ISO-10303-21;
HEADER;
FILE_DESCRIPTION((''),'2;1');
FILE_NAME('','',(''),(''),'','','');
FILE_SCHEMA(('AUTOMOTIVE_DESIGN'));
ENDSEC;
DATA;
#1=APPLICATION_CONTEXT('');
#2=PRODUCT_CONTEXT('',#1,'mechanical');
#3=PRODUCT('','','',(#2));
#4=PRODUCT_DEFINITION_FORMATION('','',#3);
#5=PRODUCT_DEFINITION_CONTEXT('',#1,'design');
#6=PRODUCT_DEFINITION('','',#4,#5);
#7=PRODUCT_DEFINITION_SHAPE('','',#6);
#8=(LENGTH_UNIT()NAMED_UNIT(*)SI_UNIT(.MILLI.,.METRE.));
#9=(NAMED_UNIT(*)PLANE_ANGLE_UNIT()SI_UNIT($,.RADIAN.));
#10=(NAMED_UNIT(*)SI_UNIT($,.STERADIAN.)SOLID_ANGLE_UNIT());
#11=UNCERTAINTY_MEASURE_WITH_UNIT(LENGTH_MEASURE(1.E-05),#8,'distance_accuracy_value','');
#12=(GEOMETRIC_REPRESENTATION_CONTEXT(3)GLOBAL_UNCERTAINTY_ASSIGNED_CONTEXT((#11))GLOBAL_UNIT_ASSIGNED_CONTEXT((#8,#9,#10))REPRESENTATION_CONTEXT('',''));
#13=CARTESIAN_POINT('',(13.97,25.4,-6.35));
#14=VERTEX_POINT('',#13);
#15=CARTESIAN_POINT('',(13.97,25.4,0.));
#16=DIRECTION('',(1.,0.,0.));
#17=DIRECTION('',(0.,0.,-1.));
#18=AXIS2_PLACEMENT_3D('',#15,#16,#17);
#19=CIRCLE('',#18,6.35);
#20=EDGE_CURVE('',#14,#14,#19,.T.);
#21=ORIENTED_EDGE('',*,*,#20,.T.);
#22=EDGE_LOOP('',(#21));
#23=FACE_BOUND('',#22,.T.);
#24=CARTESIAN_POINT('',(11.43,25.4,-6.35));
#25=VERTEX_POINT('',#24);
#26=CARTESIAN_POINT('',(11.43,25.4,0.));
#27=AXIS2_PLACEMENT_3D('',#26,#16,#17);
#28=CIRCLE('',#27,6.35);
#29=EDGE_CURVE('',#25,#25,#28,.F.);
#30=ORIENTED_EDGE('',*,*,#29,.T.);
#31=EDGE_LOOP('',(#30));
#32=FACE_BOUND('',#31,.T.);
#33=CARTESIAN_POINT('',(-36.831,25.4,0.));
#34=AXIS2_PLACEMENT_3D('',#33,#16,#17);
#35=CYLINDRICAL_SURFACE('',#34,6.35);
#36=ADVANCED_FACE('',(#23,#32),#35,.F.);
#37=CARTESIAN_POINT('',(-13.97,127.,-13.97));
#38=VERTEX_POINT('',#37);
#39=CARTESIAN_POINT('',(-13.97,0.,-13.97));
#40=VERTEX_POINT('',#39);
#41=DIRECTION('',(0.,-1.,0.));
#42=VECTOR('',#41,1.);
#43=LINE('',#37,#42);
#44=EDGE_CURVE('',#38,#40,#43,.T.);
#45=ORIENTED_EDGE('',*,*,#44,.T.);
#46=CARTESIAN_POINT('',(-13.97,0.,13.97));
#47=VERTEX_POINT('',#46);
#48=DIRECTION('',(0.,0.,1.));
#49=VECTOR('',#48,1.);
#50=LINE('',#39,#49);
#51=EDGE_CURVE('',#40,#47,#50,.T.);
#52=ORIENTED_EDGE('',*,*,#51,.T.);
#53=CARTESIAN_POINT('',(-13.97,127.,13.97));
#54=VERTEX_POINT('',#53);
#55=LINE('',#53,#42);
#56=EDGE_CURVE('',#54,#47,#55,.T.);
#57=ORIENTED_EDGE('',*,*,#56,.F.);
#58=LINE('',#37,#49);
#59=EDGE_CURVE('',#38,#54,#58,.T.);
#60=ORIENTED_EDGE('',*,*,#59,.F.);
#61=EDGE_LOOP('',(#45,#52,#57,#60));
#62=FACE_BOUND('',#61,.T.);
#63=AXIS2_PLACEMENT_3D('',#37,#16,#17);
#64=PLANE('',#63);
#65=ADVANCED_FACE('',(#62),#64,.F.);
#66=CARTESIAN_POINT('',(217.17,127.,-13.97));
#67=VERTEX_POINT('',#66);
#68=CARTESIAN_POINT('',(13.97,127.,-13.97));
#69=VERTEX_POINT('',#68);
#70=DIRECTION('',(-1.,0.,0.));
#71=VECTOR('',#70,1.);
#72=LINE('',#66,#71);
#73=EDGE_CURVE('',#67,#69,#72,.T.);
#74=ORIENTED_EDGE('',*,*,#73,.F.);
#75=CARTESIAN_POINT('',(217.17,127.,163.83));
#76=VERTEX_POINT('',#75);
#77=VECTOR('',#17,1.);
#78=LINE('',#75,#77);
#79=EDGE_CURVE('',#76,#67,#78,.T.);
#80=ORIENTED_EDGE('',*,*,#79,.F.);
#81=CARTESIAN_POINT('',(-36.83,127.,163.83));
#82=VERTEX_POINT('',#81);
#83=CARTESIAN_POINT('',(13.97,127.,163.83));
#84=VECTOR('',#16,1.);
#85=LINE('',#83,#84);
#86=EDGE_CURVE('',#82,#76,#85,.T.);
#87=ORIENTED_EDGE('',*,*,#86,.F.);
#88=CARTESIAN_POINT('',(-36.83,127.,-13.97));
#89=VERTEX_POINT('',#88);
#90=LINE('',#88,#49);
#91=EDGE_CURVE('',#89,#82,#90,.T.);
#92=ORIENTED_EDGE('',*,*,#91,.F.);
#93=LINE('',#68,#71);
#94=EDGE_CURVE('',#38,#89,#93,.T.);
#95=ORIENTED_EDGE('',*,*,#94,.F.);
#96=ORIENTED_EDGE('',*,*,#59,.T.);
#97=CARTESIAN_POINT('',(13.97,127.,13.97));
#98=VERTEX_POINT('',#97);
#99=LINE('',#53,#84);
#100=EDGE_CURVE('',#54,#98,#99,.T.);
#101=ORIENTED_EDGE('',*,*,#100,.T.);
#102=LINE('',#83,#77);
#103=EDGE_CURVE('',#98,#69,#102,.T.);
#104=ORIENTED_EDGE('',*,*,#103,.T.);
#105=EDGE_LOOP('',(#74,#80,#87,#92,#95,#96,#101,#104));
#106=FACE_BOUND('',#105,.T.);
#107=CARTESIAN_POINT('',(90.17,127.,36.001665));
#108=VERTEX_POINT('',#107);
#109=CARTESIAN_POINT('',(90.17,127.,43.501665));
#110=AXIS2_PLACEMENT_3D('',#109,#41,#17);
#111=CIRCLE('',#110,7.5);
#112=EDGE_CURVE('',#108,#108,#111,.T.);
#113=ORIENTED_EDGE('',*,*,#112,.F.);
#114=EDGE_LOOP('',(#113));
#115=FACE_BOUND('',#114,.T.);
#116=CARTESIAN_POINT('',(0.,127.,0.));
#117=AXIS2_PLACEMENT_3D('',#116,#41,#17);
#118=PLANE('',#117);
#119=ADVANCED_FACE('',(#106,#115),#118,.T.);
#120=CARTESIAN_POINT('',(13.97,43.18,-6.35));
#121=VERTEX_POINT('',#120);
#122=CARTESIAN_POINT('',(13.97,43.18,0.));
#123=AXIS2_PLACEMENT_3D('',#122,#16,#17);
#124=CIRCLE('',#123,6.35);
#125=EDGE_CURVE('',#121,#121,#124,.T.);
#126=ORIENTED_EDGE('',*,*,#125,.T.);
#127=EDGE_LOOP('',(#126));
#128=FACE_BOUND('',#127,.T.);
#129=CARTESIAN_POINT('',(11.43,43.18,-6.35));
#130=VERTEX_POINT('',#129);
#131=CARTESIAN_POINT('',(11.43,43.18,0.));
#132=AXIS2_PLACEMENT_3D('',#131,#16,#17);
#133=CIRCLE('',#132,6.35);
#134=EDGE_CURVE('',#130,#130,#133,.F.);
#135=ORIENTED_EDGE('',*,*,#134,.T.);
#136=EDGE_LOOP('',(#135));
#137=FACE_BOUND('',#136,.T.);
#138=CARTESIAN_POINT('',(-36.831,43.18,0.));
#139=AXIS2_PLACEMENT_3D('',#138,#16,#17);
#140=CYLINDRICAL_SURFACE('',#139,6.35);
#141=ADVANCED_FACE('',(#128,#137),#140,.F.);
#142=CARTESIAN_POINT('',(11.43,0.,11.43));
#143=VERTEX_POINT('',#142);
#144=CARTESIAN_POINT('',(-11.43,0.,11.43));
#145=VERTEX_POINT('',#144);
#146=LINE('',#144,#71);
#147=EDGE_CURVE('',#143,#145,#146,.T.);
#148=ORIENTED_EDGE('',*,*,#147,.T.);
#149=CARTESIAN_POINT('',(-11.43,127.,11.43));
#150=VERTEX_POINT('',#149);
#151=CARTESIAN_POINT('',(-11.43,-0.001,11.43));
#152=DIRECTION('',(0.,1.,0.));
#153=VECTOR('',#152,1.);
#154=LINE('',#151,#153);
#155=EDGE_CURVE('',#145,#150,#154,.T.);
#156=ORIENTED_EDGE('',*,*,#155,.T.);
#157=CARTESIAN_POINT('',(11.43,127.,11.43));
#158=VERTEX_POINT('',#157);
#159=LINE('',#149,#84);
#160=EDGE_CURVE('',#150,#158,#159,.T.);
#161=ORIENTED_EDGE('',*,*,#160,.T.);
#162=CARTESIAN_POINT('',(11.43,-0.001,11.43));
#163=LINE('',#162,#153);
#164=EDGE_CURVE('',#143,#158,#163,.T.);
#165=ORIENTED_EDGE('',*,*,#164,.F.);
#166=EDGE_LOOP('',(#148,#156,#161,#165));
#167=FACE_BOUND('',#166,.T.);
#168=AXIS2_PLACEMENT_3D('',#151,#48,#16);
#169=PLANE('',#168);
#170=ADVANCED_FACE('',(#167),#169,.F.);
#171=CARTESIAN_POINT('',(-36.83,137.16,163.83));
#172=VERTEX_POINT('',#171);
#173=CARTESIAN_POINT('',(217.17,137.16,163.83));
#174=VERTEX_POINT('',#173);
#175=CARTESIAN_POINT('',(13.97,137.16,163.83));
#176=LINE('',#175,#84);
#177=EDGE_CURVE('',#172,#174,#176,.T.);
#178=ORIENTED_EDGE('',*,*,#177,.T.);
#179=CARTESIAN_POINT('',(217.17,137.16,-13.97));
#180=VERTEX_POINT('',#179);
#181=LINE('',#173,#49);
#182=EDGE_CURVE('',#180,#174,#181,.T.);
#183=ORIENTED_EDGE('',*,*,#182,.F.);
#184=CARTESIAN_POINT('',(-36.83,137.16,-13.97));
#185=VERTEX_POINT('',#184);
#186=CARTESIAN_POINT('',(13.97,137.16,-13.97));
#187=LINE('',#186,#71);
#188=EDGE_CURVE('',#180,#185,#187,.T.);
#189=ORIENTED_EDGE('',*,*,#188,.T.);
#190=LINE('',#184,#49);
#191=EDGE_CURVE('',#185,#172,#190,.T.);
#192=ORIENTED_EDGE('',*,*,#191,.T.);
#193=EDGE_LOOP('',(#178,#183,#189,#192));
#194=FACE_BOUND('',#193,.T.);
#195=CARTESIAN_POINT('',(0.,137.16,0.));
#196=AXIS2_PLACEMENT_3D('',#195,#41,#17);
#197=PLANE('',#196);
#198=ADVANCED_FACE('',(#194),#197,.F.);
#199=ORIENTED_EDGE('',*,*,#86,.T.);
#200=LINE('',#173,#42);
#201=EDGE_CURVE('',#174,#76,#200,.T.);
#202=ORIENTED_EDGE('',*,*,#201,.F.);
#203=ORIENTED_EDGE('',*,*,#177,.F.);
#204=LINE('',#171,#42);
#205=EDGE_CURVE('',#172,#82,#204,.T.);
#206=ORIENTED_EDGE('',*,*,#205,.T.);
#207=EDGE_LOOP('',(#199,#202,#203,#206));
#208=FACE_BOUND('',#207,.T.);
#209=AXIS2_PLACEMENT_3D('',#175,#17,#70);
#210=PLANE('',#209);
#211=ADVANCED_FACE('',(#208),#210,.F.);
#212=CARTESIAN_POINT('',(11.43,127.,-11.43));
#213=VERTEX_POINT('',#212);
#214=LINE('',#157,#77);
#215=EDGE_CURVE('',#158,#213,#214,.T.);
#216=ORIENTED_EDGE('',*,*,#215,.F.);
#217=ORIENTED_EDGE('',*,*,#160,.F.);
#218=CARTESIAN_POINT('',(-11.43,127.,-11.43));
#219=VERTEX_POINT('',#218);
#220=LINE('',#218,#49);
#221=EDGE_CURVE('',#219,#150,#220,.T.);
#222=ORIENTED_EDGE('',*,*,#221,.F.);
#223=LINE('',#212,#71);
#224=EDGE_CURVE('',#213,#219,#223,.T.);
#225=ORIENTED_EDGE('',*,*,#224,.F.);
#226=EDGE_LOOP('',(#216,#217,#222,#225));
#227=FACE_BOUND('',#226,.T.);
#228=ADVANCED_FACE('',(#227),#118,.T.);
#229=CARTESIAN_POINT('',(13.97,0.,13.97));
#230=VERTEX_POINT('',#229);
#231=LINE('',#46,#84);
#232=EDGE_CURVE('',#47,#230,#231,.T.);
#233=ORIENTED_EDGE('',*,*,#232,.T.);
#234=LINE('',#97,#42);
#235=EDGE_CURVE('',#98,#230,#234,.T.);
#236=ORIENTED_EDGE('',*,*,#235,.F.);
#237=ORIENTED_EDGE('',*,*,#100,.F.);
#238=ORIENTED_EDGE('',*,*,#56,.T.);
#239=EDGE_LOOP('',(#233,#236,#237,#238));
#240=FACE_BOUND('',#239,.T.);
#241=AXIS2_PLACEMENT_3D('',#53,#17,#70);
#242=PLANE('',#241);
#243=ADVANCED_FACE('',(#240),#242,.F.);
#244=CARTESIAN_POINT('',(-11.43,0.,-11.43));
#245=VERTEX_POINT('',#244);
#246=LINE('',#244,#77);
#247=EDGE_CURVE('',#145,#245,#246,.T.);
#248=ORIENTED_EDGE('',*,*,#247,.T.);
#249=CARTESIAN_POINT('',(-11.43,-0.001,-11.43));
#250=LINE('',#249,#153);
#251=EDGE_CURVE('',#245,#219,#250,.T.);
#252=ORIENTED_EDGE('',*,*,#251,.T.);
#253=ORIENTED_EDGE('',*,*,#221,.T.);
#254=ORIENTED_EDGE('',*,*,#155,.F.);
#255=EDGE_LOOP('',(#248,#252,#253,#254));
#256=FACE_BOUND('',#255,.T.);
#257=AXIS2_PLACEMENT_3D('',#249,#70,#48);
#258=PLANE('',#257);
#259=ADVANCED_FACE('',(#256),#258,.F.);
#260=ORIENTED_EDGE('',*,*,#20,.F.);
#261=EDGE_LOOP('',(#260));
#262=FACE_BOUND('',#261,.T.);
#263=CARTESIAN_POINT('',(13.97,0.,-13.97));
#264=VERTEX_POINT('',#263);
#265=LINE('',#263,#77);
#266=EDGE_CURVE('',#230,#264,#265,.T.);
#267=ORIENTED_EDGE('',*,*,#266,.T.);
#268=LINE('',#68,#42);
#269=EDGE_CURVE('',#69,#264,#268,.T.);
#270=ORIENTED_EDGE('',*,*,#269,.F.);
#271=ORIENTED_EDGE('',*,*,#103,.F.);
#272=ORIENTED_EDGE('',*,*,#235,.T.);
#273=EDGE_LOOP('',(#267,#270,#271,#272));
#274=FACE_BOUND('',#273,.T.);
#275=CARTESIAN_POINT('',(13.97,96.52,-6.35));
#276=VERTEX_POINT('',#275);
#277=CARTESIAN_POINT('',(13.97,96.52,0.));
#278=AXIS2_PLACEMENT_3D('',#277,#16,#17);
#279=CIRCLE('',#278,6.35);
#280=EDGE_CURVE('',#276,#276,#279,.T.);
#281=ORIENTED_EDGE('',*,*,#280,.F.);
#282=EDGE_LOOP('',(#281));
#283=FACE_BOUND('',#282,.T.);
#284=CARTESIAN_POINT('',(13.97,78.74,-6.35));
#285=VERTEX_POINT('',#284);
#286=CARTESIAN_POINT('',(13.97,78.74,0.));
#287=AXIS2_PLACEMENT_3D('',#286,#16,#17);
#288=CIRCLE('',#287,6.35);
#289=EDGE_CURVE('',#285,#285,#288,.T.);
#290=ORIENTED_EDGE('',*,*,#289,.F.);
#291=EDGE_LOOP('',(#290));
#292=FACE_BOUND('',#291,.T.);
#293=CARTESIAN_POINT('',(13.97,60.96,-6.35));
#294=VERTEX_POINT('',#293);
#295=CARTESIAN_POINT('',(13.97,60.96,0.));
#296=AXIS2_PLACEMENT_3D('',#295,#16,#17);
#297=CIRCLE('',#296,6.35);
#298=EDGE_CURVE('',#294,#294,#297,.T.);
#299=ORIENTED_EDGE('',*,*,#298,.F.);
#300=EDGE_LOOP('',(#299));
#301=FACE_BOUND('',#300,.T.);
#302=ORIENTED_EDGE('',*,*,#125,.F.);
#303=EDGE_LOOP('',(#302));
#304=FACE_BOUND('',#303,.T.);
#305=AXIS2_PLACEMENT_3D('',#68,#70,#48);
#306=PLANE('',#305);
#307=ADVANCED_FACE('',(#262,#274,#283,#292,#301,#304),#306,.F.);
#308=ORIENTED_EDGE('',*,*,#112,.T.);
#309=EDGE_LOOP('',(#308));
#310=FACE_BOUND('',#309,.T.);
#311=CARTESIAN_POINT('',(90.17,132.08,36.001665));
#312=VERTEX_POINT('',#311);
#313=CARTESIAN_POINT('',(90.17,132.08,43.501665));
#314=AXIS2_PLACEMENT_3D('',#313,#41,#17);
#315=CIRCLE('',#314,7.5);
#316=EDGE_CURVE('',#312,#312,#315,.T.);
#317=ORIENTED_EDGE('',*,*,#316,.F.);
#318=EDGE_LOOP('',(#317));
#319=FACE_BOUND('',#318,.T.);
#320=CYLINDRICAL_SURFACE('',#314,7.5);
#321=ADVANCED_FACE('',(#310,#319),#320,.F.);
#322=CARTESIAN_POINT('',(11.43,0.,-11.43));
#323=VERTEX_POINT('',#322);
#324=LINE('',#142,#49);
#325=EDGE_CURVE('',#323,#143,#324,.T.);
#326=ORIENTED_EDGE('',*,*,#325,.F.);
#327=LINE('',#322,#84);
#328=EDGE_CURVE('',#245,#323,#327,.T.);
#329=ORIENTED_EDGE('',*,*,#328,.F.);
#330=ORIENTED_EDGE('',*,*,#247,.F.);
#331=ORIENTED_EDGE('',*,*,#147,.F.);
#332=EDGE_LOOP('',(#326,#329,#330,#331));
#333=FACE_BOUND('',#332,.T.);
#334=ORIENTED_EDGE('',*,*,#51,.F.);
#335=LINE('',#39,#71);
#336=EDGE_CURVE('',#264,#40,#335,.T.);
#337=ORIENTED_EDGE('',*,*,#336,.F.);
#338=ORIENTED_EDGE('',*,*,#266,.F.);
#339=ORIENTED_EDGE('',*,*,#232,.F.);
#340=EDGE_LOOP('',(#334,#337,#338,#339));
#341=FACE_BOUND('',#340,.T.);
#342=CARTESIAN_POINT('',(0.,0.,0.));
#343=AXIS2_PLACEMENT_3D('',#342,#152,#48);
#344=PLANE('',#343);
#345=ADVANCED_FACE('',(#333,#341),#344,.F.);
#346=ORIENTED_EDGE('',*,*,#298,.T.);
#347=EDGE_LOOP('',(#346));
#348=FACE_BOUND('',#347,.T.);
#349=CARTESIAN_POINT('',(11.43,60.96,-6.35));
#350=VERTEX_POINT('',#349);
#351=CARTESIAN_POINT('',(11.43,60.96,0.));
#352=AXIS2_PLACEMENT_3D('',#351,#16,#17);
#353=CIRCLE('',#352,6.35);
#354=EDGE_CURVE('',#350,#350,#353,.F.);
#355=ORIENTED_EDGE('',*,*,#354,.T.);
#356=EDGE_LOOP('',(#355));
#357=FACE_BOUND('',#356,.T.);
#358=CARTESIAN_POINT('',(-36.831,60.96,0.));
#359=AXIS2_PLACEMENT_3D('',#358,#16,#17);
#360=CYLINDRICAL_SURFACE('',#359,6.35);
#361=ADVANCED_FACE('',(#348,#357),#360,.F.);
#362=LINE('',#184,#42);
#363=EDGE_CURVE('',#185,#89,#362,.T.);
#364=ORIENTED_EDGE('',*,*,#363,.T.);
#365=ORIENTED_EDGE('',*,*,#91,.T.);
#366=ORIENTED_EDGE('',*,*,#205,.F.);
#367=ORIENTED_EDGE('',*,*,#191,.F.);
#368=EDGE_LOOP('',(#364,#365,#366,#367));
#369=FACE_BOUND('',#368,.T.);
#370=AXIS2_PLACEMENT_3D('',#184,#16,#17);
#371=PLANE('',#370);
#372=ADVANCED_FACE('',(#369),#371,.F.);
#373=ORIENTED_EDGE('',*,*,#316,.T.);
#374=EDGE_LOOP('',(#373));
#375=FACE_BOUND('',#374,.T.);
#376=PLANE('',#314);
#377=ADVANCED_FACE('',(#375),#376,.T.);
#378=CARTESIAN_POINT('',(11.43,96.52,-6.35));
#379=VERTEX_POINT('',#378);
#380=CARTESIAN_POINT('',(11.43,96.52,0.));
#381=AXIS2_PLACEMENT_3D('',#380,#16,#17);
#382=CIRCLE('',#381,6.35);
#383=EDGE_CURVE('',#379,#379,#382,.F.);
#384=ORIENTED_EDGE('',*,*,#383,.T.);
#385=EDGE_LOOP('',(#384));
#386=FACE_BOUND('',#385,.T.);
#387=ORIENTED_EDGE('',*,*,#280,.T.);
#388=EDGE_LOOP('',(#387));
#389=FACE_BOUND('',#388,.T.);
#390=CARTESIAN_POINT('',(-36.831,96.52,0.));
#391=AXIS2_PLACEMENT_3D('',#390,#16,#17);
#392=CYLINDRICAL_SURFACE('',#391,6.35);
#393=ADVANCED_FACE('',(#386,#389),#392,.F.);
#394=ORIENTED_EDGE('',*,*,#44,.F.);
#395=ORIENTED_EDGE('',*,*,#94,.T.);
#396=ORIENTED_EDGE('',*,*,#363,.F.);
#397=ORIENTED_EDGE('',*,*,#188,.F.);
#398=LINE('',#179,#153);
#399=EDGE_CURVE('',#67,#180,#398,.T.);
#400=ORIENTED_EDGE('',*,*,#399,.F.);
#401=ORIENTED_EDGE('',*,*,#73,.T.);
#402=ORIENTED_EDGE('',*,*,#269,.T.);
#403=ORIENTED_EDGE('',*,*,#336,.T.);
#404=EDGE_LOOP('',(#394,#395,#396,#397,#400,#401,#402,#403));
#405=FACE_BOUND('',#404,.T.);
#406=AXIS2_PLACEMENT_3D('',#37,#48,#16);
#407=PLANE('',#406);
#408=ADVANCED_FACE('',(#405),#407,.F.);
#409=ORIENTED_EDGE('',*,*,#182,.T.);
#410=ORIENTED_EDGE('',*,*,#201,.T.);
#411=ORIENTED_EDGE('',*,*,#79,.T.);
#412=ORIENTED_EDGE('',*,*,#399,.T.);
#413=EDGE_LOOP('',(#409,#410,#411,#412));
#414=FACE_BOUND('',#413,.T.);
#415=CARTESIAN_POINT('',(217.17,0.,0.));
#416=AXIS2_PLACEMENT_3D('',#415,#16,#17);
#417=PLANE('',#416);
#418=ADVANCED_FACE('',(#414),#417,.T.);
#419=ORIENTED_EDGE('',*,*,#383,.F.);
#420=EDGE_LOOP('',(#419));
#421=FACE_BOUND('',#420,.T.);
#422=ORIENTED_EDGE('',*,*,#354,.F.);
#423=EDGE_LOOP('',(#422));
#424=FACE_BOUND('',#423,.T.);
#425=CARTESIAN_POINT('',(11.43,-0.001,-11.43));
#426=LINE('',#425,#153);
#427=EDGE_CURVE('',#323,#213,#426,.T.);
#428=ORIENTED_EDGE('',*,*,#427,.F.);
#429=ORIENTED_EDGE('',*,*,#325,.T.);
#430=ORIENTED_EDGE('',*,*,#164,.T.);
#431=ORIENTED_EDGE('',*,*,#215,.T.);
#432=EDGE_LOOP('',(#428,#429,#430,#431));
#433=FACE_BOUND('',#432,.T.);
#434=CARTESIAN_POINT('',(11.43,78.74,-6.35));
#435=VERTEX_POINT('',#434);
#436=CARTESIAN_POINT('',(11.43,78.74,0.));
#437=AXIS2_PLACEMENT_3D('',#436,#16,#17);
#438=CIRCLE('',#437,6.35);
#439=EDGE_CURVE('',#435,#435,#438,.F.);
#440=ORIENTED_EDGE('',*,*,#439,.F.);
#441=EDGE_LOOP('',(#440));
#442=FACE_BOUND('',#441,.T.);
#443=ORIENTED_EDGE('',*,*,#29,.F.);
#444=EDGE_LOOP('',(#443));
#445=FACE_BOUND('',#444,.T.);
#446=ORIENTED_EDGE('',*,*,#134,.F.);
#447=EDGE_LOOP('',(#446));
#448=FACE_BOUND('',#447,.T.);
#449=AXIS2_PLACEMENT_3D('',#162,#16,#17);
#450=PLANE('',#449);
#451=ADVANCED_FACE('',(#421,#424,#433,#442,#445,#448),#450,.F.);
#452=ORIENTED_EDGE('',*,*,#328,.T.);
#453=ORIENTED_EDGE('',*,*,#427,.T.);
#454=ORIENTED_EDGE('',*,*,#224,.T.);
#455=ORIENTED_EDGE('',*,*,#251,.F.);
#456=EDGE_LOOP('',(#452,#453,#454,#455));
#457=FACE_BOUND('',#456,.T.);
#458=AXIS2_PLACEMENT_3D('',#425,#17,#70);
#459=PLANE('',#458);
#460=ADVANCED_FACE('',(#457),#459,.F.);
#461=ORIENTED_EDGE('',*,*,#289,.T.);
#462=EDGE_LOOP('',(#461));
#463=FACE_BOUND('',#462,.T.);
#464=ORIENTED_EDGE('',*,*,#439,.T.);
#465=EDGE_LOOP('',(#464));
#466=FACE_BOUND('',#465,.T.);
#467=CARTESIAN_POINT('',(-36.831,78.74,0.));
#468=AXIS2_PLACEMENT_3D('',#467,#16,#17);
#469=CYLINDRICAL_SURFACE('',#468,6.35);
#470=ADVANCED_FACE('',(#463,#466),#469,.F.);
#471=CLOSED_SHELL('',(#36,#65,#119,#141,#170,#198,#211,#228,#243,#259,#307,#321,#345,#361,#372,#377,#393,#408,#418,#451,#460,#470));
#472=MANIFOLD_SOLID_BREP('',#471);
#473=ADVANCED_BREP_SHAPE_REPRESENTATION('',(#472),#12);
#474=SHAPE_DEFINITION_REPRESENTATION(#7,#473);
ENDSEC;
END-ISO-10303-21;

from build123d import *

# Parameters (mm, degrees)
SKETCH1_W           = 27.94
SKETCH1_H           = 27.94
BOSS_EXTRUDE1_DEPTH = 127
CUT_EXTRUDE1_REACH  = 130.528
SKETCH2_W           = 22.86
SKETCH2_H           = 22.86
SKETCH3_W           = 50.8
SKETCH3_H           = 177.8
BOSS_EXTRUDE2_DEPTH = 10.16
CUT_EXTRUDE2_REACH  = 221.622
SKETCH4_R           = 6.35
SKETCH5_W           = 177.8
SKETCH5_H           = 10.16
BOSS_EXTRUDE3_DEPTH = 203.2
SKETCH7_R           = 7.5
CUT_EXTRUDE4_DEPTH  = 5.08


with BuildPart() as part:
    # Sketch1 → Boss-Extrude1 (new body)
    with BuildSketch(Plane(origin=(0, 0, 0), x_dir=(1, 0, 0), z_dir=(0, 1, 0))):
        Rectangle(SKETCH1_W, SKETCH1_H)
    extrude(amount=BOSS_EXTRUDE1_DEPTH)

    # Sketch2 → Cut-Extrude1 (cut, up to next)
    with BuildSketch(Plane(origin=(0, 127, 0), x_dir=(1, 0, 0), z_dir=(0, 1, 0)), mode=Mode.PRIVATE) as cut_extrude1_sk1:
        Rectangle(SKETCH2_W, SKETCH2_H)
    cut_extrude1_tool1 = extrude(cut_extrude1_sk1.sketch, amount=-CUT_EXTRUDE1_REACH, mode=Mode.PRIVATE) & part.part
    add(cut_extrude1_tool1.solids().sort_by_distance((0, 127, 0))[0], mode=Mode.SUBTRACT)

    # Sketch3 → Boss-Extrude2 (add)
    with BuildSketch(Plane(origin=(0, 127, 0), x_dir=(1, 0, 0), z_dir=(0, 1, 0))):
        with Locations((-11.43, -74.93)):
            Rectangle(SKETCH3_W, SKETCH3_H)
    extrude(amount=BOSS_EXTRUDE2_DEPTH)

    # Sketch4 → Cut-Extrude2 (cut, up to next)
    with BuildSketch(Plane(origin=(13.97, 0, 0), x_dir=(0, 0, -1), z_dir=(1, 0, 0)), mode=Mode.PRIVATE) as cut_extrude2_sk1:
        with Locations((0, 25.4)):
            Circle(SKETCH4_R)
    cut_extrude2_tool1 = extrude(cut_extrude2_sk1.sketch, amount=-CUT_EXTRUDE2_REACH, mode=Mode.PRIVATE) & part.part
    # Sketch4 → Cut-Extrude2 (cut, up to next)
    with BuildSketch(Plane(origin=(13.97, 0, 0), x_dir=(0, 0, -1), z_dir=(1, 0, 0)), mode=Mode.PRIVATE) as cut_extrude2_sk2:
        with Locations((0, 43.18)):
            Circle(SKETCH4_R)
    cut_extrude2_tool2 = extrude(cut_extrude2_sk2.sketch, amount=-CUT_EXTRUDE2_REACH, mode=Mode.PRIVATE) & part.part
    # Sketch4 → Cut-Extrude2 (cut, up to next)
    with BuildSketch(Plane(origin=(13.97, 0, 0), x_dir=(0, 0, -1), z_dir=(1, 0, 0)), mode=Mode.PRIVATE) as cut_extrude2_sk3:
        with Locations((0, 60.96)):
            Circle(SKETCH4_R)
    cut_extrude2_tool3 = extrude(cut_extrude2_sk3.sketch, amount=-CUT_EXTRUDE2_REACH, mode=Mode.PRIVATE) & part.part
    # Sketch4 → Cut-Extrude2 (cut, up to next)
    with BuildSketch(Plane(origin=(13.97, 0, 0), x_dir=(0, 0, -1), z_dir=(1, 0, 0)), mode=Mode.PRIVATE) as cut_extrude2_sk4:
        with Locations((0, 78.74)):
            Circle(SKETCH4_R)
    cut_extrude2_tool4 = extrude(cut_extrude2_sk4.sketch, amount=-CUT_EXTRUDE2_REACH, mode=Mode.PRIVATE) & part.part
    # Sketch4 → Cut-Extrude2 (cut, up to next)
    with BuildSketch(Plane(origin=(13.97, 0, 0), x_dir=(0, 0, -1), z_dir=(1, 0, 0)), mode=Mode.PRIVATE) as cut_extrude2_sk5:
        with Locations((0, 96.52)):
            Circle(SKETCH4_R)
    cut_extrude2_tool5 = extrude(cut_extrude2_sk5.sketch, amount=-CUT_EXTRUDE2_REACH, mode=Mode.PRIVATE) & part.part
    add(cut_extrude2_tool1.solids().sort_by_distance((13.97, 25.4, 0))[0], mode=Mode.SUBTRACT)
    add(cut_extrude2_tool2.solids().sort_by_distance((13.97, 43.18, 0))[0], mode=Mode.SUBTRACT)
    add(cut_extrude2_tool3.solids().sort_by_distance((13.97, 60.96, 0))[0], mode=Mode.SUBTRACT)
    add(cut_extrude2_tool4.solids().sort_by_distance((13.97, 78.74, 0))[0], mode=Mode.SUBTRACT)
    add(cut_extrude2_tool5.solids().sort_by_distance((13.97, 96.52, 0))[0], mode=Mode.SUBTRACT)

    # Sketch5 → Boss-Extrude3 (add)
    with BuildSketch(Plane(origin=(13.97, 0, 0), x_dir=(0, 0, -1), z_dir=(1, 0, 0))):
        with Locations((-74.93, 132.08)):
            Rectangle(SKETCH5_W, SKETCH5_H)
    extrude(amount=BOSS_EXTRUDE3_DEPTH)

    # Sketch7 → Cut-Extrude4 (cut)
    with BuildSketch(Plane.XZ.offset(-127)):
        with Locations(Location((90.17, 43.501665218, 0), (0, 0, 270))):
            Circle(SKETCH7_R)
    extrude(amount=-CUT_EXTRUDE4_DEPTH, mode=Mode.SUBTRACT)


solid = part.part
